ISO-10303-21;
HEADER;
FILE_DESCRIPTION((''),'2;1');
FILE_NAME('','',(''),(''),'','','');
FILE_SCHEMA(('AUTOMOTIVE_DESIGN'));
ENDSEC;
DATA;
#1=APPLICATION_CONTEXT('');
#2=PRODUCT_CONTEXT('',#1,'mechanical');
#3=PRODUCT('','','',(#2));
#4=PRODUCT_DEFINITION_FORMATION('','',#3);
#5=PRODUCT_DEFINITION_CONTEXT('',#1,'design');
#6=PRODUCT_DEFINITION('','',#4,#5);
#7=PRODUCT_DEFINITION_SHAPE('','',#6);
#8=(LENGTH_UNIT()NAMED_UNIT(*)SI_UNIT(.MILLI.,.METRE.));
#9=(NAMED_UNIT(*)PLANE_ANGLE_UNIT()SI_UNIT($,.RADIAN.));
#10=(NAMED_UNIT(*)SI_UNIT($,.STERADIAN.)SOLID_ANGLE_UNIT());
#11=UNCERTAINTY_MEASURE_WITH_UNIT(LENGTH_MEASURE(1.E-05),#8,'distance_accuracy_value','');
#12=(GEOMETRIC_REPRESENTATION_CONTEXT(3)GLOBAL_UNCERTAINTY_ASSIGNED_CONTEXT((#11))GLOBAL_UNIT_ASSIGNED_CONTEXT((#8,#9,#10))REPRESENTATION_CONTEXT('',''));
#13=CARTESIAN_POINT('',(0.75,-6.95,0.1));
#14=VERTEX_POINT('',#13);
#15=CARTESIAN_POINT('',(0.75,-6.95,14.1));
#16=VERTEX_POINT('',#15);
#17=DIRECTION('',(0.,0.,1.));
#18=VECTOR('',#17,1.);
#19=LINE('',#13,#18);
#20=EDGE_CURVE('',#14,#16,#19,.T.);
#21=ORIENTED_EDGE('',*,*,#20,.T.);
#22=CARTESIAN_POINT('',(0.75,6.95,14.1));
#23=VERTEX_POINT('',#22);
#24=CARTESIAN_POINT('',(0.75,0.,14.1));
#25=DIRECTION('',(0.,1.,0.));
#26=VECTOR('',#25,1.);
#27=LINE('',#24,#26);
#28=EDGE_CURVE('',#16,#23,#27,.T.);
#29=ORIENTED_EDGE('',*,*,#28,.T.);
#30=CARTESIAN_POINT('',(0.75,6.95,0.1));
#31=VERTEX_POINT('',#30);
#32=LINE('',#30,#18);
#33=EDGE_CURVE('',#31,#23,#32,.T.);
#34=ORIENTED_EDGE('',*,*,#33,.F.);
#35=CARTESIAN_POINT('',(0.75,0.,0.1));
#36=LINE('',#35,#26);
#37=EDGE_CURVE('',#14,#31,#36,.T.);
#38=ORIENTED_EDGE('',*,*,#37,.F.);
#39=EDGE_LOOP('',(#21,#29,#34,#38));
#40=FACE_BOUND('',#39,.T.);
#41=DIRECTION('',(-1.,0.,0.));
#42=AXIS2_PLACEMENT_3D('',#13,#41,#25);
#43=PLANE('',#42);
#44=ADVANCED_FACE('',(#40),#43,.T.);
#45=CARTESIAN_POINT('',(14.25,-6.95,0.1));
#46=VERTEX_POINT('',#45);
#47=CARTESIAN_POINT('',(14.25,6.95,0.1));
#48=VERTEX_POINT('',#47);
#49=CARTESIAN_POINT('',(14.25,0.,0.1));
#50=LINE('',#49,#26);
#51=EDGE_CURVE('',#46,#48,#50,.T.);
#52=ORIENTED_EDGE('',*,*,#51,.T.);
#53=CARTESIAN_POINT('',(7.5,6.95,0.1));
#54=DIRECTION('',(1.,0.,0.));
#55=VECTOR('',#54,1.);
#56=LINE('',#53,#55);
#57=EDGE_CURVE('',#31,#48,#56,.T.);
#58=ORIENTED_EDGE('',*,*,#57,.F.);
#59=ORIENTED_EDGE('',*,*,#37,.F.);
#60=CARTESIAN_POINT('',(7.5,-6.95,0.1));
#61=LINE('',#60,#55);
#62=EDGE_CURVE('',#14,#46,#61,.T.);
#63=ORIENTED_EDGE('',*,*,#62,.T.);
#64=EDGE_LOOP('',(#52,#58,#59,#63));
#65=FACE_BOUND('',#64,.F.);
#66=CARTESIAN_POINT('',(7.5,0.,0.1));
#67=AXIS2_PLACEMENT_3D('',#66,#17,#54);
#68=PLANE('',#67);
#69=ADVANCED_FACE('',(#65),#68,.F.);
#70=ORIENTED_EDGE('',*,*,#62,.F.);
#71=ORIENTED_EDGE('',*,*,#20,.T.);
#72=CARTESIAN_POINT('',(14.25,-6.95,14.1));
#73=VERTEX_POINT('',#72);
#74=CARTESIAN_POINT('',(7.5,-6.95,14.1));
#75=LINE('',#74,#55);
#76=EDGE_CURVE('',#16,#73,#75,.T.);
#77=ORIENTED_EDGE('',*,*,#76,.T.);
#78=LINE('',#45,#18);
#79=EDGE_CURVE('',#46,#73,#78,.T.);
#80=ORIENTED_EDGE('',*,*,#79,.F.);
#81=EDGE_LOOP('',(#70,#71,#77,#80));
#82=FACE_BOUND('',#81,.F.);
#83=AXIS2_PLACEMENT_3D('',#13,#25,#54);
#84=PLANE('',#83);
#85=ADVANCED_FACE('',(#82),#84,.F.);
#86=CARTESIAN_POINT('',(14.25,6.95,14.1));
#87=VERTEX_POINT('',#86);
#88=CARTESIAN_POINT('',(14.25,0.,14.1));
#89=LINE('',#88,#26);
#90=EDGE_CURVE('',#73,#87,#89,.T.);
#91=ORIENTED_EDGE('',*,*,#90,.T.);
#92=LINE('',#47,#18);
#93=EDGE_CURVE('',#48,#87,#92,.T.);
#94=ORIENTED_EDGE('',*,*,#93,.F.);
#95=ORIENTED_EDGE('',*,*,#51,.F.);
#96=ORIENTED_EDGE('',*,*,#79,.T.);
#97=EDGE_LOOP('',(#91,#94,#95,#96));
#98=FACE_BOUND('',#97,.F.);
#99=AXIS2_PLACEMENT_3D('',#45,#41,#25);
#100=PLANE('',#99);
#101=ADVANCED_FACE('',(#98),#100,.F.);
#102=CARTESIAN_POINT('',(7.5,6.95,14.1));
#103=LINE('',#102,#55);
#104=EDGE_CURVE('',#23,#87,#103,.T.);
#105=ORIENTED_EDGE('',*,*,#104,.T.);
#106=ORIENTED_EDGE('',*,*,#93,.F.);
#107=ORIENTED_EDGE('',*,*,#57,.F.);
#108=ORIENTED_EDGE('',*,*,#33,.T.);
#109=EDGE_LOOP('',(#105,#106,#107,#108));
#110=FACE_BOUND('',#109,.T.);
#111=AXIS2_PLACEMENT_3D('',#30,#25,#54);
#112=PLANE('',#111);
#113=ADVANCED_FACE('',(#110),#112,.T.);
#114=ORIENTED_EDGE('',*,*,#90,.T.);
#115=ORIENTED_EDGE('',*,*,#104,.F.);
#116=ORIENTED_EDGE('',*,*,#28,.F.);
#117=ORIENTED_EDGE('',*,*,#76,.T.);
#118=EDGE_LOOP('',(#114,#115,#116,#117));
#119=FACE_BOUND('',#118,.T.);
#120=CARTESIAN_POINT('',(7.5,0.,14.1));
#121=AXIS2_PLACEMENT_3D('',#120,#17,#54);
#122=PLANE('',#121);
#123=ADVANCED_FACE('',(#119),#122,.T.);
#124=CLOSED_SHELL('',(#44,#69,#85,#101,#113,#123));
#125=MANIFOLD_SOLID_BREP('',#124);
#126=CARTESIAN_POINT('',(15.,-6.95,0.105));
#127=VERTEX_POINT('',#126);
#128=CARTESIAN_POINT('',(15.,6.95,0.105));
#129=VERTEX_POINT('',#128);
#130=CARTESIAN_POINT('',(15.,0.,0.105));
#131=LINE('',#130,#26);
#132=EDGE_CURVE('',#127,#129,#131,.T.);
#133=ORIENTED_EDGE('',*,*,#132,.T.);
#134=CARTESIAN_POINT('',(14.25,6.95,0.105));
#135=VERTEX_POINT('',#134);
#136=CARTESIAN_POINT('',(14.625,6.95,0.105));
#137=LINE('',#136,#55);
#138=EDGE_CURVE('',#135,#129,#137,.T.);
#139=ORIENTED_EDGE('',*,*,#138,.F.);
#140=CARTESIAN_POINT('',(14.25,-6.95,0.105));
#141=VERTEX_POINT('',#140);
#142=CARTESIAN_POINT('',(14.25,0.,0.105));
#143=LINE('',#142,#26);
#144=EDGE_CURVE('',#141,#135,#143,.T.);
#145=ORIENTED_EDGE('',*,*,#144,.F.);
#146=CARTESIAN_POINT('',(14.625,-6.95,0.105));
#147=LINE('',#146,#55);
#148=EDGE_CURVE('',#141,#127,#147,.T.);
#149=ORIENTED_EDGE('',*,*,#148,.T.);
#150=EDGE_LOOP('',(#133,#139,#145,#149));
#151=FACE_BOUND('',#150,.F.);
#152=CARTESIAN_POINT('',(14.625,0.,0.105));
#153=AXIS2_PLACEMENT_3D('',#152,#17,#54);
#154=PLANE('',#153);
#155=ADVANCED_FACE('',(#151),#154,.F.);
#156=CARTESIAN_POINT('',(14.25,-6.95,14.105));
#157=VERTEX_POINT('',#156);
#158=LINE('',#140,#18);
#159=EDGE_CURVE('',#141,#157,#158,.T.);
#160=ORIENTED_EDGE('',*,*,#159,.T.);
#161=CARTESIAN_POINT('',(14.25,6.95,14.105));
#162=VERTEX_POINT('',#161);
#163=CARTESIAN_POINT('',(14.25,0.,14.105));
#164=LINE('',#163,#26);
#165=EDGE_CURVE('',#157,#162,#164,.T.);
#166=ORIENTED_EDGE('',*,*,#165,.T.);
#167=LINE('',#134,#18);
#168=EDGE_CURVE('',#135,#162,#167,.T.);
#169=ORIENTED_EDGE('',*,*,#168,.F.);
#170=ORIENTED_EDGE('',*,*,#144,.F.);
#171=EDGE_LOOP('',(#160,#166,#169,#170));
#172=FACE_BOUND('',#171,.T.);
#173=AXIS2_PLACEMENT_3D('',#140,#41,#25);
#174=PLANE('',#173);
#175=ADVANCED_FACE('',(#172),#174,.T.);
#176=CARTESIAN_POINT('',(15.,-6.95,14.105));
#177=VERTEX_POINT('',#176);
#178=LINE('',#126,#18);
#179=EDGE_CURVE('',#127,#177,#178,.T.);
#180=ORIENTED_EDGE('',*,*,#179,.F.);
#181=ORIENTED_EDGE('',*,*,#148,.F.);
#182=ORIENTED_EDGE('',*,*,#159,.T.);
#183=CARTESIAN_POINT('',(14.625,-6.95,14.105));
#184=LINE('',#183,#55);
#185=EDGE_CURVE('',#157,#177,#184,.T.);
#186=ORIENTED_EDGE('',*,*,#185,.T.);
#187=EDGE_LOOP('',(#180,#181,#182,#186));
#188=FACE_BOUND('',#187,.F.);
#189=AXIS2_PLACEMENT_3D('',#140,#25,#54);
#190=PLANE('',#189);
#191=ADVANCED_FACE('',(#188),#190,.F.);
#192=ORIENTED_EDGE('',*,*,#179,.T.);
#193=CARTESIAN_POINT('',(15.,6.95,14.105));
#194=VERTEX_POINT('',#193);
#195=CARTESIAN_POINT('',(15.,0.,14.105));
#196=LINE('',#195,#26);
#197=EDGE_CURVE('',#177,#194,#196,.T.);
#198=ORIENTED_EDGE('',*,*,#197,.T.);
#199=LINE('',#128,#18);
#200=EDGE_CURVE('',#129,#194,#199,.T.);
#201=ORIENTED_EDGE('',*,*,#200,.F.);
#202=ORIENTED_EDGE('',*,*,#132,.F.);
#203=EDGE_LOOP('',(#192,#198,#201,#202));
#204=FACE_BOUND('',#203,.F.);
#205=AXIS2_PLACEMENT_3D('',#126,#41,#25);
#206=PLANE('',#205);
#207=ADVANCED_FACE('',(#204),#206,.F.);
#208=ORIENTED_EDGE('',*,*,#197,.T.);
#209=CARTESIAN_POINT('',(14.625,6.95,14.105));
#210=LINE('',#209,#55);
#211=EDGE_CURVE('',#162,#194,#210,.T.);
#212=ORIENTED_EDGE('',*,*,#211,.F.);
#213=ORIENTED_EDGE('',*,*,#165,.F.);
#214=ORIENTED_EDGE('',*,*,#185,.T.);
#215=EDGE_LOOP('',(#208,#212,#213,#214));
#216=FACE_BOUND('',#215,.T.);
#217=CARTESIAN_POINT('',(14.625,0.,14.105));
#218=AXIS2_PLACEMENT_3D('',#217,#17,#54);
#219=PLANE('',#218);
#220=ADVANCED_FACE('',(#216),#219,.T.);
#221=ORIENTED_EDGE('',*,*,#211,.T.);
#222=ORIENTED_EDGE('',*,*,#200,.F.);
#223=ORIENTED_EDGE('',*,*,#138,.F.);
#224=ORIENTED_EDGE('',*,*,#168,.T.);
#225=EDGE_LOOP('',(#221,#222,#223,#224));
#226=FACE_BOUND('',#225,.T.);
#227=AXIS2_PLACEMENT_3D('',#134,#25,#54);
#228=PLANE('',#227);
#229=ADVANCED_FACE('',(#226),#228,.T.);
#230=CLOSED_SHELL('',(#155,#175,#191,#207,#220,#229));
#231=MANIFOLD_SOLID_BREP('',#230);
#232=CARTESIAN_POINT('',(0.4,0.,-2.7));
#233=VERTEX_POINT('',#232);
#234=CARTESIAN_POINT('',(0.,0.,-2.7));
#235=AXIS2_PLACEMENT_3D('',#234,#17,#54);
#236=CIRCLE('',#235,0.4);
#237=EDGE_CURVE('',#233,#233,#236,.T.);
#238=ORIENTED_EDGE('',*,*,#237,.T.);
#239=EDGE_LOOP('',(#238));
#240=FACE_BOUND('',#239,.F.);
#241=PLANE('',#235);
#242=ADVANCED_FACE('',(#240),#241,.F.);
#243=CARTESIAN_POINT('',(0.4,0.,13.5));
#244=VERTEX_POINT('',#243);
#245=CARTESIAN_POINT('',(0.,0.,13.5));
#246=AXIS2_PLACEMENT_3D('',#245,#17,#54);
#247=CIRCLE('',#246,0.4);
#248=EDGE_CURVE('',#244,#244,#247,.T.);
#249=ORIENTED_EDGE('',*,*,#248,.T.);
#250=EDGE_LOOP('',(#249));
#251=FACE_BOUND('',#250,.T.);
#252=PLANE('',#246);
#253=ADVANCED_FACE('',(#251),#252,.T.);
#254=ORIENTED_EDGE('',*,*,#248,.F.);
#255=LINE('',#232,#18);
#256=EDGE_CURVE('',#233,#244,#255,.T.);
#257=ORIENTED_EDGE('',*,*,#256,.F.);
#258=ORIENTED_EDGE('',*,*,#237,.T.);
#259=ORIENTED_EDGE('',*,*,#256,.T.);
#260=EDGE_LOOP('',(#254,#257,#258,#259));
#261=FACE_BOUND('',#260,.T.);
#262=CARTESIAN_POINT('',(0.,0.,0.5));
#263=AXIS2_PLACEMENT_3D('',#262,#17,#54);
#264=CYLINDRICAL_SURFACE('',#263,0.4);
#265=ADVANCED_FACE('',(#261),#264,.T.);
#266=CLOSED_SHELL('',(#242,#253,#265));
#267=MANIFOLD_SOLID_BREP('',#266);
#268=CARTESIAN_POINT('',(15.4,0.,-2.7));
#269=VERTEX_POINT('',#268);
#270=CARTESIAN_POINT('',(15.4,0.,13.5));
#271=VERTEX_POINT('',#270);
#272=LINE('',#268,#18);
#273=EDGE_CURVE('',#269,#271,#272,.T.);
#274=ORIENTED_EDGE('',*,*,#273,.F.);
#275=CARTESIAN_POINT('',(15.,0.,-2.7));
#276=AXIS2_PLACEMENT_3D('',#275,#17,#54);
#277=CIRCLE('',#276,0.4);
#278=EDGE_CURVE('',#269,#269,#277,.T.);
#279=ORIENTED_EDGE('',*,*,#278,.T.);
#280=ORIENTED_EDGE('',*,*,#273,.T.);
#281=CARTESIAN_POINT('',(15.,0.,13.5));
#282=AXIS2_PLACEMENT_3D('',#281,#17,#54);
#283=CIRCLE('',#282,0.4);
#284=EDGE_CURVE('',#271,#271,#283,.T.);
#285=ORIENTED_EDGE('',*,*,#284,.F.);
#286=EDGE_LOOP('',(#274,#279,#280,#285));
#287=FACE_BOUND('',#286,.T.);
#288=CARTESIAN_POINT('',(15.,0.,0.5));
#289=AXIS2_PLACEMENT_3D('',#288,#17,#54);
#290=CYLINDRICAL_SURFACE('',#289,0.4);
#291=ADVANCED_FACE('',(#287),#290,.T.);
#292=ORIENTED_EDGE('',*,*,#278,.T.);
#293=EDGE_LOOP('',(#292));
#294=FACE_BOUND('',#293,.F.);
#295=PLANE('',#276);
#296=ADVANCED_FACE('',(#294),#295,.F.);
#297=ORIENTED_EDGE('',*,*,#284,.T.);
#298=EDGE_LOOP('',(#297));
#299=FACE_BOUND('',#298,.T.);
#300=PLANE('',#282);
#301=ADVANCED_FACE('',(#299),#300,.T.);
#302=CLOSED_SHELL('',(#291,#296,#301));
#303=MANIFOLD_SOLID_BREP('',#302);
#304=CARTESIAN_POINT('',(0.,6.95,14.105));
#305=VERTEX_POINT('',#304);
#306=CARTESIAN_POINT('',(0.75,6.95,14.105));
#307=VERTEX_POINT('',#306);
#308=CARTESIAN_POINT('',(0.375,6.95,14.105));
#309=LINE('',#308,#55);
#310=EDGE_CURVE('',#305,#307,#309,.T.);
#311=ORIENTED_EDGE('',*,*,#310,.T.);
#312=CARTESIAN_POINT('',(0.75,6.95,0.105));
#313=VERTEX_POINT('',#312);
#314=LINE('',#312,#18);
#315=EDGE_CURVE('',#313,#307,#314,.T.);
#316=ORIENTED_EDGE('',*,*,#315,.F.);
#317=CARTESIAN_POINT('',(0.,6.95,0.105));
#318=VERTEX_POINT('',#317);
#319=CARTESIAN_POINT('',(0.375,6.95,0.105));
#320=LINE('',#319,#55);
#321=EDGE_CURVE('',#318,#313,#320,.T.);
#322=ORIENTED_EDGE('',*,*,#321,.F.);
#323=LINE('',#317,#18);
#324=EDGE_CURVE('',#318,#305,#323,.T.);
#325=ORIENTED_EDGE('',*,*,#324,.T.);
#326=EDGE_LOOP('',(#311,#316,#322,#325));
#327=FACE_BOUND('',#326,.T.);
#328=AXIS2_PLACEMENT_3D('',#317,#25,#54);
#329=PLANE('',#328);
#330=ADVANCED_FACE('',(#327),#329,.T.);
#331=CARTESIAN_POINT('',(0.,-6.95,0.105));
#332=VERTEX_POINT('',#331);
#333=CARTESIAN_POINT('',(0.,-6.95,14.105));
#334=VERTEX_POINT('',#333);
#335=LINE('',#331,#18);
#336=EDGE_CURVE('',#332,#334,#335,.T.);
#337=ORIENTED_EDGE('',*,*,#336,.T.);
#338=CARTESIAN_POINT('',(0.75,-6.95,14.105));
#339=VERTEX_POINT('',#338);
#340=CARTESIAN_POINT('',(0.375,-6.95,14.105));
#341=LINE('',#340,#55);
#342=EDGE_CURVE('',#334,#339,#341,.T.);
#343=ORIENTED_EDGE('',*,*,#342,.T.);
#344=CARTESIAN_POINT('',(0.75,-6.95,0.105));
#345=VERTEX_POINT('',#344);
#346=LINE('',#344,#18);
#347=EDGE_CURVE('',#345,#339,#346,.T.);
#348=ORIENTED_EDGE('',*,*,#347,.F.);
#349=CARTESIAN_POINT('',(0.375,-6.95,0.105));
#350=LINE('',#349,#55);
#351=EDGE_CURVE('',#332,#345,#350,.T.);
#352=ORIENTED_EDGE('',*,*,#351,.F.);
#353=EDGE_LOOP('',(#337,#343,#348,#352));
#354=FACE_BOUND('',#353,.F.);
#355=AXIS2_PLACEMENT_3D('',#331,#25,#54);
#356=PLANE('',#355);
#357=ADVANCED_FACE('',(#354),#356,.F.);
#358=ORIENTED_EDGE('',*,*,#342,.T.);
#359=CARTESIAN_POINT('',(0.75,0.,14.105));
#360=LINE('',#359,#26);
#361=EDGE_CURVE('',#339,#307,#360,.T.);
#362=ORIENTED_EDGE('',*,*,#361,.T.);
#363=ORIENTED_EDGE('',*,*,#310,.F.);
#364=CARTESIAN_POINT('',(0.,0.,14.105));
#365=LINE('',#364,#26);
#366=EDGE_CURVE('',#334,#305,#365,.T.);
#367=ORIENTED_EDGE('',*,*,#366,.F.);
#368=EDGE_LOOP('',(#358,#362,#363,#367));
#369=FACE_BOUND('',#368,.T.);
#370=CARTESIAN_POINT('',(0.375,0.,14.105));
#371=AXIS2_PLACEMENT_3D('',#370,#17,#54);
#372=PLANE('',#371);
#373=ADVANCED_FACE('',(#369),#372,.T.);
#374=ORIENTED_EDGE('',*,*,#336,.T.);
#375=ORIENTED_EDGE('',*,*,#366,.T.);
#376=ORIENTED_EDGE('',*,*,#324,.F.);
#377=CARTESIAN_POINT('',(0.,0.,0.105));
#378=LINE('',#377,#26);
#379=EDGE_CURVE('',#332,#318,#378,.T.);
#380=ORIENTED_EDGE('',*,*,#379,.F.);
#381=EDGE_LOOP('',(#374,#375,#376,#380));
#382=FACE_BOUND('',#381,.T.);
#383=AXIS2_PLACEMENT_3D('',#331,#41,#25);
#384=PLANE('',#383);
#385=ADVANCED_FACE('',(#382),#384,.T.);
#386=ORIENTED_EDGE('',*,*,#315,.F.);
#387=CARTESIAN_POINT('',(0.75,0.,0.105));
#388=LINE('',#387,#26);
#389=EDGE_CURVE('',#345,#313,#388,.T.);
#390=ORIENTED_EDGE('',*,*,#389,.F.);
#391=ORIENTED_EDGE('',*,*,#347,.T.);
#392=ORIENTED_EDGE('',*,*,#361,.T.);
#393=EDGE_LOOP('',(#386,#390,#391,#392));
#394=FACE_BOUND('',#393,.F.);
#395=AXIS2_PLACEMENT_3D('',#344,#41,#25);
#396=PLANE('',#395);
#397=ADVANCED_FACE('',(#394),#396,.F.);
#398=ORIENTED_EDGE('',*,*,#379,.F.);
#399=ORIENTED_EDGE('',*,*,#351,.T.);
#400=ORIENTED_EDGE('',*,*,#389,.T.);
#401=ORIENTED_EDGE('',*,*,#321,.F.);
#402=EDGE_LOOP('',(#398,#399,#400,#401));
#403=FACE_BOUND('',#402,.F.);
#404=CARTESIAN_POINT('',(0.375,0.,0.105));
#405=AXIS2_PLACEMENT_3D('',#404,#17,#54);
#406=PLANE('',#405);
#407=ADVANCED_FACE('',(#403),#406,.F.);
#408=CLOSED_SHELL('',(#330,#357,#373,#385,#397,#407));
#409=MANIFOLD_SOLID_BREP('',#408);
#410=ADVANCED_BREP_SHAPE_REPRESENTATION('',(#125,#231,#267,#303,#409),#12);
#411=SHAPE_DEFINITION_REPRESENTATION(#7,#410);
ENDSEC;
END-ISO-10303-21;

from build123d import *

# Parameters (mm, degrees)
SKETCH_W          = 13.5
SKETCH_H          = 13.9
PAD_DEPTH         = 14
SKETCH001_R       = 0.4
PAD001_DEPTH      = 13
PAD001_DEPTH_BACK = 3.2
SKETCH002_W       = 0.75
SKETCH002_H       = 13.9
PAD002_DEPTH      = 14


with BuildPart() as pad:
    # Sketch → Pad (new body)
    with BuildSketch(Plane.XY.offset(0.1)):
        with Locations((7.5, 0)):
            Rectangle(SKETCH_W, SKETCH_H)
    extrude(amount=PAD_DEPTH)


with BuildPart() as pad001:
    # Sketch001 → Pad001 (new body, two sides)
    with BuildSketch(Plane.XY.offset(0.5)) as pad001_sk:
        Circle(SKETCH001_R)
        with Locations((15, 0)):
            Circle(SKETCH001_R)
    extrude(amount=PAD001_DEPTH)
    extrude(pad001_sk.sketch, amount=-PAD001_DEPTH_BACK)


with BuildPart() as pad002:
    # Sketch002 → Pad002 (new body)
    with BuildSketch(Plane.XY.offset(0.105)):
        with Locations((0.375, 0)):
            Rectangle(SKETCH002_W, SKETCH002_H)
        with Locations((14.625, 0)):
            Rectangle(SKETCH002_W, SKETCH002_H)
    extrude(amount=PAD002_DEPTH)


solid = Compound([pad.part, pad001.part, pad002.part])
